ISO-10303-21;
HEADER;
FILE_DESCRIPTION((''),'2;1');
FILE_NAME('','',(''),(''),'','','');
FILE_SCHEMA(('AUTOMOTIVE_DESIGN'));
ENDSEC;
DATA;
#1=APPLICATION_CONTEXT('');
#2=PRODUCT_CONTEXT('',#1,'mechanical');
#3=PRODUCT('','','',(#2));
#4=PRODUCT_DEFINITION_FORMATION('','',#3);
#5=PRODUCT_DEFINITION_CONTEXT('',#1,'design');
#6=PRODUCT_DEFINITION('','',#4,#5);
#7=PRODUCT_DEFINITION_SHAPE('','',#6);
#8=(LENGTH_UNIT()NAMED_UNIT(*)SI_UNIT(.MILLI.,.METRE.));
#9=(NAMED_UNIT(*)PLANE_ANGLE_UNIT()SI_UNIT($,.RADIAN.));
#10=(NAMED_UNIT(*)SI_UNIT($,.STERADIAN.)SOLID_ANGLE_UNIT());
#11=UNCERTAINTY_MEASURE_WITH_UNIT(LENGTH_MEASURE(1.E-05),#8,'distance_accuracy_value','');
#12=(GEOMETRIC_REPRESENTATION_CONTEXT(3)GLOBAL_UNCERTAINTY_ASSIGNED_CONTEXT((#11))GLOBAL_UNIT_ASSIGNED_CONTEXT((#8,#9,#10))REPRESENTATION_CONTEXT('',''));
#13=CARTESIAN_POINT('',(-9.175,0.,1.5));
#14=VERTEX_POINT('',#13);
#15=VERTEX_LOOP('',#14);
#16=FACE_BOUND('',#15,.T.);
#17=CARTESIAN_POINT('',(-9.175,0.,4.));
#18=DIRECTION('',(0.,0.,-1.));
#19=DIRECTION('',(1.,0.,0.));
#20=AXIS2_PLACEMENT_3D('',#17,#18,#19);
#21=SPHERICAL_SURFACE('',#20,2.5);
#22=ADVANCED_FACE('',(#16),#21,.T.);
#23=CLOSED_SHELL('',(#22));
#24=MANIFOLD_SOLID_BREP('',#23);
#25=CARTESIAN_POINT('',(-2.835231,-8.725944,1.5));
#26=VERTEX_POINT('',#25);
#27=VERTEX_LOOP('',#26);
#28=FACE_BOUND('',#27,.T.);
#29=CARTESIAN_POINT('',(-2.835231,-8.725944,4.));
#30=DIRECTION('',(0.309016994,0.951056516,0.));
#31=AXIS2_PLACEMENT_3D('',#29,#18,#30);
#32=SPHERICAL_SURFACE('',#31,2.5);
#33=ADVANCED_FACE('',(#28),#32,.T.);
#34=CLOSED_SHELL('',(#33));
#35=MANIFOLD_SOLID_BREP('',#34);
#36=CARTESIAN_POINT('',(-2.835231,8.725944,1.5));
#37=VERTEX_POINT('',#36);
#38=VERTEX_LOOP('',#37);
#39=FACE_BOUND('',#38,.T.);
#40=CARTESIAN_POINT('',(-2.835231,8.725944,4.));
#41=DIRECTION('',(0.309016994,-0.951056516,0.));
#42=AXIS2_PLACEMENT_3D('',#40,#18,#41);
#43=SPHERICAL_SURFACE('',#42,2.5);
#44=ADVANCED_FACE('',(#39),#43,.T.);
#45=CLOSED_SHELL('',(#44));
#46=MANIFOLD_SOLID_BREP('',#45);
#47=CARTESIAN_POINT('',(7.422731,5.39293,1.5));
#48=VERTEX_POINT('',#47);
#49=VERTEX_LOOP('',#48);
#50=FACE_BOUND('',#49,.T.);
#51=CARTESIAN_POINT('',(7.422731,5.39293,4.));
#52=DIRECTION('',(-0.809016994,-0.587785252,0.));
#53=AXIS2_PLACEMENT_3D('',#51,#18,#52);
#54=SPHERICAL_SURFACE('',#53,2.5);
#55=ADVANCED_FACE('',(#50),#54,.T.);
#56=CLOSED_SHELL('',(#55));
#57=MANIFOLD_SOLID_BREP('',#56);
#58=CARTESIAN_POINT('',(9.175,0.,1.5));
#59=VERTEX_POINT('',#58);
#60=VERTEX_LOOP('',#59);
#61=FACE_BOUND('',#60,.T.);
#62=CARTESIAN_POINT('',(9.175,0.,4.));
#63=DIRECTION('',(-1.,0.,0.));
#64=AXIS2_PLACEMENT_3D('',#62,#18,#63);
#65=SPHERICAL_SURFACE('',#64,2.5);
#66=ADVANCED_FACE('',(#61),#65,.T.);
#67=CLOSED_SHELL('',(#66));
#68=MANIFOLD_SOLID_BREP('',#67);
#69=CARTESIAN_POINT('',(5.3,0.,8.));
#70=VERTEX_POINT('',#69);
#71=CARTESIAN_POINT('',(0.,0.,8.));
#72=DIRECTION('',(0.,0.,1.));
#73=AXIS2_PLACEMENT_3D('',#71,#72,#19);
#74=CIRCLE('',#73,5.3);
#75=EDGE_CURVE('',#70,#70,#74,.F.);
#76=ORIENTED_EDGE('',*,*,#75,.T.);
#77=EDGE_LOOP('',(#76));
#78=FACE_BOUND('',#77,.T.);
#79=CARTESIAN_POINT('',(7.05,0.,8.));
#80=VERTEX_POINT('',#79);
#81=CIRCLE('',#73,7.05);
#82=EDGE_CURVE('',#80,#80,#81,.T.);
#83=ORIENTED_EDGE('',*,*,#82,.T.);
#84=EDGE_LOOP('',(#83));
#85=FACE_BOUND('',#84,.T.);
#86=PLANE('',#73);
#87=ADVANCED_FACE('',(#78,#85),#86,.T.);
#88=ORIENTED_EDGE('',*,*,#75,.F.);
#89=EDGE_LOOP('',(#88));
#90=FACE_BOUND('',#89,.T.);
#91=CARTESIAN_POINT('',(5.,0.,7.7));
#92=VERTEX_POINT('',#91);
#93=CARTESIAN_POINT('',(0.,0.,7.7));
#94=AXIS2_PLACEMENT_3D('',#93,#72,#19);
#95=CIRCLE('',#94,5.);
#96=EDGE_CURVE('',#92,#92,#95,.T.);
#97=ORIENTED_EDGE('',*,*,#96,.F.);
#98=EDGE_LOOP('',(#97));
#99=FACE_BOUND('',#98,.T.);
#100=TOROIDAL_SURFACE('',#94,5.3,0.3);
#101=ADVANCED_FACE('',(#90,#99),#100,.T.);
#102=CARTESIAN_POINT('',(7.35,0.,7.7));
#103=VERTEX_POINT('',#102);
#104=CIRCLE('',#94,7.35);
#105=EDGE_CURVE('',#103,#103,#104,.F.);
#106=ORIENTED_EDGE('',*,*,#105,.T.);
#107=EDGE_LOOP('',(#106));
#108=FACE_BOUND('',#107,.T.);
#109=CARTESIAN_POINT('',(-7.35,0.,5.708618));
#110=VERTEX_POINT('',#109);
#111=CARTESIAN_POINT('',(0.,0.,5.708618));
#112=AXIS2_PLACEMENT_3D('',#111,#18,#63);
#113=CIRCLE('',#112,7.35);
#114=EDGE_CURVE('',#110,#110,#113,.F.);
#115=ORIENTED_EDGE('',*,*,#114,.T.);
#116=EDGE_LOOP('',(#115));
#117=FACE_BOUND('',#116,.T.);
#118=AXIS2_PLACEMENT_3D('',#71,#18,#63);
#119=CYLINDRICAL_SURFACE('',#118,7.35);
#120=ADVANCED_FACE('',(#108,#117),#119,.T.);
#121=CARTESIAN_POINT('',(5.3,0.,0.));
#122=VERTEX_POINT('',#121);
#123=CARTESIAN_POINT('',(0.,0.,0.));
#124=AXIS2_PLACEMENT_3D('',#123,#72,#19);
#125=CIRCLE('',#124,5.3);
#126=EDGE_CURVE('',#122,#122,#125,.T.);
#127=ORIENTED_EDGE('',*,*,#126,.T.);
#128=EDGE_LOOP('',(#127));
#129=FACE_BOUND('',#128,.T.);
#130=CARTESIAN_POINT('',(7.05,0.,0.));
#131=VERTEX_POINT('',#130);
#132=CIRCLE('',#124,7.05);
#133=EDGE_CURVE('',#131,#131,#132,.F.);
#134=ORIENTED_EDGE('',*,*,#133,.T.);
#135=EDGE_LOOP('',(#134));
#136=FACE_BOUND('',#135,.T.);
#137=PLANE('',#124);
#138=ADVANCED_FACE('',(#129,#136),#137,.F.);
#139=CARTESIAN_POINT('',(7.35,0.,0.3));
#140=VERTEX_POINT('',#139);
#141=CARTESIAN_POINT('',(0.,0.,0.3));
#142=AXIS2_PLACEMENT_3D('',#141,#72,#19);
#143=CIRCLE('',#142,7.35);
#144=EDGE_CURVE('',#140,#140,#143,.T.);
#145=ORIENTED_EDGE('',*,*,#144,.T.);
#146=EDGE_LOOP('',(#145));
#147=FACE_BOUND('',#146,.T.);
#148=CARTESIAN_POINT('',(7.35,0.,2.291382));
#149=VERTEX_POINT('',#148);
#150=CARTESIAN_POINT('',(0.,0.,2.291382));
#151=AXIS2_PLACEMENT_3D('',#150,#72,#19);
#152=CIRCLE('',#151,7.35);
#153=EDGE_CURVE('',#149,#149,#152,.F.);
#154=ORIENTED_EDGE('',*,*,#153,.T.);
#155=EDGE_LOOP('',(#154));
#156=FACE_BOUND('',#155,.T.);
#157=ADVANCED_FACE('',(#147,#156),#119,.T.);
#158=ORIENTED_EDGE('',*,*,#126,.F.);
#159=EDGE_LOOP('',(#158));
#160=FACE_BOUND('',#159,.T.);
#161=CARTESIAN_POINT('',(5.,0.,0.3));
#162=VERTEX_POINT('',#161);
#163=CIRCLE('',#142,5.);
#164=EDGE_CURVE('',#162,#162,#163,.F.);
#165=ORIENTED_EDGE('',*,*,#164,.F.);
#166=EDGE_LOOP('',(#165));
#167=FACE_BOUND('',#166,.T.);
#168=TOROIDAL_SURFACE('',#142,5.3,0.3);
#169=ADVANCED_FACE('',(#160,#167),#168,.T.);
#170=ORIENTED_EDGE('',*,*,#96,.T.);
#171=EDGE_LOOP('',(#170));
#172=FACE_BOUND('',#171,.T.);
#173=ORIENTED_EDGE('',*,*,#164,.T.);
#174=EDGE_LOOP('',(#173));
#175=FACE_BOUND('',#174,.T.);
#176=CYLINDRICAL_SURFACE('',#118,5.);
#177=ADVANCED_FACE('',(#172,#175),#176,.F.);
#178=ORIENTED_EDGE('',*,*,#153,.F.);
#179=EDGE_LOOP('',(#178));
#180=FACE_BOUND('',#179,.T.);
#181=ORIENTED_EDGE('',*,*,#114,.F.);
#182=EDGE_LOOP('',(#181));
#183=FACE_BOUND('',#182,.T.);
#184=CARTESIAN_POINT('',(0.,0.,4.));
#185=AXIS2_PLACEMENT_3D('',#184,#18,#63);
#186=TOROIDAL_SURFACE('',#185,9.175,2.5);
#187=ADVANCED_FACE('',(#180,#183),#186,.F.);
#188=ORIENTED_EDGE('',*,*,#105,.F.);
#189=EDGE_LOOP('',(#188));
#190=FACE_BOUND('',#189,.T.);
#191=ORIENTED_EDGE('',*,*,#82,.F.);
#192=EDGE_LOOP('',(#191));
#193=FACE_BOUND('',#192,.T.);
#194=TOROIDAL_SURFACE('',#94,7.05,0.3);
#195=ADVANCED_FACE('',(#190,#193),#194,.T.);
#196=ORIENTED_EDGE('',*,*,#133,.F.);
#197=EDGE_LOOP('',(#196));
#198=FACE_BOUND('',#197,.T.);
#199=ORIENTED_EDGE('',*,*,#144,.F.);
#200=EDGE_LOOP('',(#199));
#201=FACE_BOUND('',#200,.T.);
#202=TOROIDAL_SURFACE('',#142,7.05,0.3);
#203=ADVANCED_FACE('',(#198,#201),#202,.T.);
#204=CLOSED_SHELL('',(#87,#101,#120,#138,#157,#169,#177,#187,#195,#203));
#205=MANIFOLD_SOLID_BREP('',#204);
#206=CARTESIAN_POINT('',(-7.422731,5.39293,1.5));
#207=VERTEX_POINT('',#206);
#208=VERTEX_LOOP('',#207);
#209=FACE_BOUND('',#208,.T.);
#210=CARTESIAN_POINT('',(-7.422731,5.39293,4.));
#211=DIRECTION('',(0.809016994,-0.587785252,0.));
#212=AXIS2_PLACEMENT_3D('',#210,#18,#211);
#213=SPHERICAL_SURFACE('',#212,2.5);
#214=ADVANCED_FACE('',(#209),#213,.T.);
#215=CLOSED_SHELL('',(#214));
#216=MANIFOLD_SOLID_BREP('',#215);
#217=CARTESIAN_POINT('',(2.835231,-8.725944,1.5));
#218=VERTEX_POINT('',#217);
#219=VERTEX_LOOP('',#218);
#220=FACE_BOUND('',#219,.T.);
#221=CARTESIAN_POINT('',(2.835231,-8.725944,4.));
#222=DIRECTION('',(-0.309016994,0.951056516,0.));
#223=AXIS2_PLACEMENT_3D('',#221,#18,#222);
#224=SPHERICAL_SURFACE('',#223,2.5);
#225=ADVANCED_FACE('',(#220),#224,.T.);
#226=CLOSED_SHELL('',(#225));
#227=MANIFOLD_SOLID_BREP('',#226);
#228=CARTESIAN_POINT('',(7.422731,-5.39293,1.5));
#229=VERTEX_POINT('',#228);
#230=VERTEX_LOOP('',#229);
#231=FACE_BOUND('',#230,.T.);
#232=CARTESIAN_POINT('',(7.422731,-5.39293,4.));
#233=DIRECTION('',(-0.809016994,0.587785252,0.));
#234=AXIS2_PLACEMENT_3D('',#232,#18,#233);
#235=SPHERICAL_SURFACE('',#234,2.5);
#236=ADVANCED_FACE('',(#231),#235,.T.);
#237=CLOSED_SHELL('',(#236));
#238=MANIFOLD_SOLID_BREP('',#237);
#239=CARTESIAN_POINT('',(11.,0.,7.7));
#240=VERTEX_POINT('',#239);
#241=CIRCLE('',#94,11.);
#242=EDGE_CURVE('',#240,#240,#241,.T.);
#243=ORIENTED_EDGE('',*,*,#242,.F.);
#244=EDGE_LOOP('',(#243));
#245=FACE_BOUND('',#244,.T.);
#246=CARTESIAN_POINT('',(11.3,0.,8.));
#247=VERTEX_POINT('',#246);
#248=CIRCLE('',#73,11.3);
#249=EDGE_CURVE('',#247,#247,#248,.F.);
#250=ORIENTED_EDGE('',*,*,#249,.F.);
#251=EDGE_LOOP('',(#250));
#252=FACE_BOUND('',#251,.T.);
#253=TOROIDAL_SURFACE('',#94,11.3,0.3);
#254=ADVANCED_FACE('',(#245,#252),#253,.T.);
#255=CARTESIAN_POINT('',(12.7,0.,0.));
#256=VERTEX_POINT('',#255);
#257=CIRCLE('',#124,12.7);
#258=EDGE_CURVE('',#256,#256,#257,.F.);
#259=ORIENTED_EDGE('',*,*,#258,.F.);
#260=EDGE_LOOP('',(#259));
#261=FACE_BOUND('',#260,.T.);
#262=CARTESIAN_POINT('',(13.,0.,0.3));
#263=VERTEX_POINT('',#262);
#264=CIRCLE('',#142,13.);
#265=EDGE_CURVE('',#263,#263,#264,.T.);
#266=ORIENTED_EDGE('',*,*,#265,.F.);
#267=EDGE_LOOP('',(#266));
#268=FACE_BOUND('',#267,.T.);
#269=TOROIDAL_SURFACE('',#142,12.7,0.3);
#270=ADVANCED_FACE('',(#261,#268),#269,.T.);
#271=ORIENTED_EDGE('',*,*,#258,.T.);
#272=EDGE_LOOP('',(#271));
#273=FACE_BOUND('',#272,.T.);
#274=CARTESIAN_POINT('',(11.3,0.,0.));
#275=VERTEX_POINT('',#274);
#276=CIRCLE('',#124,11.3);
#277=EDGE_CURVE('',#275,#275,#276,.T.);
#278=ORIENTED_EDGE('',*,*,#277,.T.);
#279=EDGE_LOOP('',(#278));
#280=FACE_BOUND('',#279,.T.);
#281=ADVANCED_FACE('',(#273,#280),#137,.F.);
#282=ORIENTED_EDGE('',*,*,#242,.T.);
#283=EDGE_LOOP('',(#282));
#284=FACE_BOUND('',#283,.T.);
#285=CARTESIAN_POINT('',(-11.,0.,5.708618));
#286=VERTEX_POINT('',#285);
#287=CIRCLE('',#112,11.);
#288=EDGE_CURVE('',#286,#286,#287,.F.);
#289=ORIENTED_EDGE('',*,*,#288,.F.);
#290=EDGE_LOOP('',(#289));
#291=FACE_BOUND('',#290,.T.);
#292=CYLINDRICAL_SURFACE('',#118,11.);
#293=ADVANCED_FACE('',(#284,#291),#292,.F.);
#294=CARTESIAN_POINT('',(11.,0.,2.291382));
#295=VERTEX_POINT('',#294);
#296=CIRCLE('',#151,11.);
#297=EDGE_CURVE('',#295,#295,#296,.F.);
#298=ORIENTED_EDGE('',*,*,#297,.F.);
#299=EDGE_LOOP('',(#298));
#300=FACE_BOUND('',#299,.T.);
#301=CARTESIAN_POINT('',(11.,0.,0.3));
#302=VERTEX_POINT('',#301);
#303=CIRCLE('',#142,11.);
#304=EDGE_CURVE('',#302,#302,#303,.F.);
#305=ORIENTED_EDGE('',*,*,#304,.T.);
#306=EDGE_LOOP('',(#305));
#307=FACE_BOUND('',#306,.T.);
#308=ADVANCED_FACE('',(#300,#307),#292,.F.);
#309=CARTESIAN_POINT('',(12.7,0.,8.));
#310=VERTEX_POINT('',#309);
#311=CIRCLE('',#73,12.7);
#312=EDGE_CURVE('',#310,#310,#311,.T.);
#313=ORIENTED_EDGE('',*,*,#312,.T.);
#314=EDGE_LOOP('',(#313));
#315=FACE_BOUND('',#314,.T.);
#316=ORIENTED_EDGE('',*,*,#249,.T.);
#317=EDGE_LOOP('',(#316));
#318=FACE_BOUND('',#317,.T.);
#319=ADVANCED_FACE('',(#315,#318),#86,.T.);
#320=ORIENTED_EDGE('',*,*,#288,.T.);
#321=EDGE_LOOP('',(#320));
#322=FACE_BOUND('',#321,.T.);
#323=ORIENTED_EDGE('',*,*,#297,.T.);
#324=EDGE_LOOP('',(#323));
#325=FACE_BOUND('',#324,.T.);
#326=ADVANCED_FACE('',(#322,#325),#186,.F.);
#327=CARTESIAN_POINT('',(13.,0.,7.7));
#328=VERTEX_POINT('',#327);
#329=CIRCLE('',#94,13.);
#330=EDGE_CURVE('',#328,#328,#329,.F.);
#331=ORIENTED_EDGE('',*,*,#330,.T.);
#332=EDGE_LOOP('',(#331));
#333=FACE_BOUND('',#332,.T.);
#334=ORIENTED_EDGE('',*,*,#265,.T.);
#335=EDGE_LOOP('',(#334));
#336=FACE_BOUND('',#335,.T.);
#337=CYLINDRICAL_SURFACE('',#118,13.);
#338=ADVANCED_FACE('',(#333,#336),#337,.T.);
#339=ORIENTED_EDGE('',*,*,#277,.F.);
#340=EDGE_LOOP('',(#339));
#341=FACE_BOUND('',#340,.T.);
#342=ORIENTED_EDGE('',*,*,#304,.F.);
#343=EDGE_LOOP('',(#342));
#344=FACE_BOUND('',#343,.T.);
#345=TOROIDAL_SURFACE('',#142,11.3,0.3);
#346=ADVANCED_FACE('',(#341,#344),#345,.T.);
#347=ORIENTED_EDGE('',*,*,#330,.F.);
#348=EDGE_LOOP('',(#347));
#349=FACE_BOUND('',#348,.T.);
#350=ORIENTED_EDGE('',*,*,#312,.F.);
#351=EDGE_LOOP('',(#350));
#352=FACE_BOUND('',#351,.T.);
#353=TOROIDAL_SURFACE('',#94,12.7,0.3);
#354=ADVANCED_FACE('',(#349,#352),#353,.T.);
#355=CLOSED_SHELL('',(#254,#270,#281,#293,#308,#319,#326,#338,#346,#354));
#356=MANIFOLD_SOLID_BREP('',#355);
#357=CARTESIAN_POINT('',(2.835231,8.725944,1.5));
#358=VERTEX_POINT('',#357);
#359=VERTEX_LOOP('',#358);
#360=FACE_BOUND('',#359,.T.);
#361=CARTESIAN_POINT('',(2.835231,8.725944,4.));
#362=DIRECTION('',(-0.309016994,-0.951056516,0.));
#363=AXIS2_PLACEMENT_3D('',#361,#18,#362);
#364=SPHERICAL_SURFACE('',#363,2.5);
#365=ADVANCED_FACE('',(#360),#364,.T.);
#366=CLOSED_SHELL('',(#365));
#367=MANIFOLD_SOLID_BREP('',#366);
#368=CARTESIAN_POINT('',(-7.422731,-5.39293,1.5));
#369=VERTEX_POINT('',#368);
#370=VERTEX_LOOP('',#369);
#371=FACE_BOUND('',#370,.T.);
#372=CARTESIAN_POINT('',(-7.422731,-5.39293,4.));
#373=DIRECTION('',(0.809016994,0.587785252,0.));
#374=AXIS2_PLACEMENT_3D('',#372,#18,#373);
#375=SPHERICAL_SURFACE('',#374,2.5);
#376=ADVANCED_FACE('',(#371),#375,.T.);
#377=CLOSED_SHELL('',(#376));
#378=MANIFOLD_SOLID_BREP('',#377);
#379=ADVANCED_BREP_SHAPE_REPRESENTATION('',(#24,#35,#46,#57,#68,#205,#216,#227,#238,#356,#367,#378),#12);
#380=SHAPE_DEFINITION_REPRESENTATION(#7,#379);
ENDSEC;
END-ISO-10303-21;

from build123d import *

# Parameters (mm, degrees)
SKETCH1_R             = 13
SKETCH1_R_2           = 11
BOSS_EXTRUDE1_DEPTH   = 8
SKETCH1_R_3           = 7.35
SKETCH1_R_4           = 5
BOSS_EXTRUDE1_2_DEPTH = 8
SKETCH4_R             = 2.5
CIRPATTERN1_COUNT     = 10
FILLET1_R             = 0.3
FILLET2_R             = 0.3


with BuildPart() as part:
    # Sketch1 → Boss-Extrude1 (new body)
    with BuildSketch(Plane.XY):
        Circle(SKETCH1_R)
        Circle(SKETCH1_R_2, mode=Mode.SUBTRACT)
    extrude(amount=BOSS_EXTRUDE1_DEPTH)


with BuildPart() as body_2:
    # Sketch1 → Boss-Extrude1 2 (new body)
    with BuildSketch(Plane.XY):
        Circle(SKETCH1_R_3)
        Circle(SKETCH1_R_4, mode=Mode.SUBTRACT)
    extrude(amount=BOSS_EXTRUDE1_2_DEPTH)


with BuildPart() as cut_sweep1_tool:
    # Cut-Sweep1: sweep along a path in Sketch2
    with BuildLine(Plane.XY.offset(4)) as cut_sweep1_path:
        CenterArc((0, 0), 9.175, 0, 360)
    # Sketch4 → Cut-Sweep1 (sweep)
    with BuildSketch(Plane(origin=(0, 0, 0), x_dir=(1, 0, 0), z_dir=(0, 1, 0))):
        with Locations((-9.175, -4)):
            Circle(SKETCH4_R)
    sweep(path=cut_sweep1_path.line)


with BuildPart() as part_1:
    add(part.part)

    # Cut-Sweep1: cut by cut_sweep1_tool
    add(cut_sweep1_tool.part, mode=Mode.SUBTRACT)

    # Fillet1
    fillet1_edges = [part_1.edges().sort_by_distance(p)[0] for p in [
        (-11, 0, 0),
        (-13, 0, 0),
        (-11, 0, 8),
        (-13, 0, 8),
    ]]
    fillet(fillet1_edges, radius=FILLET1_R)


with BuildPart() as body_2_1:
    add(body_2.part)

    # Cut-Sweep1: cut by cut_sweep1_tool
    add(cut_sweep1_tool.part, mode=Mode.SUBTRACT)

    # Fillet2
    fillet2_edges = [body_2_1.edges().sort_by_distance(p)[0] for p in [
        (-5, 0, 8),
        (-7.35, 0, 8),
        (-5, 0, 0),
        (-7.35, 0, 0),
    ]]
    fillet(fillet2_edges, radius=FILLET2_R)


with BuildPart() as body_3:
    # Sketch5 → Revolve1 (revolve)
    with BuildSketch(Plane(origin=(0, 0, 0), x_dir=(1, 0, 0), z_dir=(0, 1, 0))):
        with BuildLine():
            Line((-9.175, -1.5), (-9.175, -6.5))
            ThreePointArc((-9.175, -6.5), (-11.675, -4), (-9.175, -1.5))
        make_face()
    revolve(axis=Axis((-9.175, 0, 1.5), (0, 0, 1)))


with BuildPart() as cirpattern1_1:
    # CirPattern1: pattern copy
    add(body_3.part.rotate(Axis((0, 0, 8), (0, 0, -1)), 1 * 360 / CIRPATTERN1_COUNT))


with BuildPart() as cirpattern1_2:
    # CirPattern1: pattern copy
    add(body_3.part.rotate(Axis((0, 0, 8), (0, 0, -1)), 2 * 360 / CIRPATTERN1_COUNT))


with BuildPart() as cirpattern1_3:
    # CirPattern1: pattern copy
    add(body_3.part.rotate(Axis((0, 0, 8), (0, 0, -1)), 3 * 360 / CIRPATTERN1_COUNT))


with BuildPart() as cirpattern1_4:
    # CirPattern1: pattern copy
    add(body_3.part.rotate(Axis((0, 0, 8), (0, 0, -1)), 4 * 360 / CIRPATTERN1_COUNT))


with BuildPart() as cirpattern1_5:
    # CirPattern1: pattern copy
    add(body_3.part.rotate(Axis((0, 0, 8), (0, 0, -1)), 5 * 360 / CIRPATTERN1_COUNT))


with BuildPart() as cirpattern1_6:
    # CirPattern1: pattern copy
    add(body_3.part.rotate(Axis((0, 0, 8), (0, 0, -1)), 6 * 360 / CIRPATTERN1_COUNT))


with BuildPart() as cirpattern1_7:
    # CirPattern1: pattern copy
    add(body_3.part.rotate(Axis((0, 0, 8), (0, 0, -1)), 7 * 360 / CIRPATTERN1_COUNT))


with BuildPart() as cirpattern1_8:
    # CirPattern1: pattern copy
    add(body_3.part.rotate(Axis((0, 0, 8), (0, 0, -1)), 8 * 360 / CIRPATTERN1_COUNT))


with BuildPart() as cirpattern1_9:
    # CirPattern1: pattern copy
    add(body_3.part.rotate(Axis((0, 0, 8), (0, 0, -1)), 9 * 360 / CIRPATTERN1_COUNT))


solid = Compound([part_1.part, body_2_1.part, body_3.part, cirpattern1_1.part, cirpattern1_2.part, cirpattern1_3.part, cirpattern1_4.part, cirpattern1_5.part, cirpattern1_6.part, cirpattern1_7.part, cirpattern1_8.part, cirpattern1_9.part])
